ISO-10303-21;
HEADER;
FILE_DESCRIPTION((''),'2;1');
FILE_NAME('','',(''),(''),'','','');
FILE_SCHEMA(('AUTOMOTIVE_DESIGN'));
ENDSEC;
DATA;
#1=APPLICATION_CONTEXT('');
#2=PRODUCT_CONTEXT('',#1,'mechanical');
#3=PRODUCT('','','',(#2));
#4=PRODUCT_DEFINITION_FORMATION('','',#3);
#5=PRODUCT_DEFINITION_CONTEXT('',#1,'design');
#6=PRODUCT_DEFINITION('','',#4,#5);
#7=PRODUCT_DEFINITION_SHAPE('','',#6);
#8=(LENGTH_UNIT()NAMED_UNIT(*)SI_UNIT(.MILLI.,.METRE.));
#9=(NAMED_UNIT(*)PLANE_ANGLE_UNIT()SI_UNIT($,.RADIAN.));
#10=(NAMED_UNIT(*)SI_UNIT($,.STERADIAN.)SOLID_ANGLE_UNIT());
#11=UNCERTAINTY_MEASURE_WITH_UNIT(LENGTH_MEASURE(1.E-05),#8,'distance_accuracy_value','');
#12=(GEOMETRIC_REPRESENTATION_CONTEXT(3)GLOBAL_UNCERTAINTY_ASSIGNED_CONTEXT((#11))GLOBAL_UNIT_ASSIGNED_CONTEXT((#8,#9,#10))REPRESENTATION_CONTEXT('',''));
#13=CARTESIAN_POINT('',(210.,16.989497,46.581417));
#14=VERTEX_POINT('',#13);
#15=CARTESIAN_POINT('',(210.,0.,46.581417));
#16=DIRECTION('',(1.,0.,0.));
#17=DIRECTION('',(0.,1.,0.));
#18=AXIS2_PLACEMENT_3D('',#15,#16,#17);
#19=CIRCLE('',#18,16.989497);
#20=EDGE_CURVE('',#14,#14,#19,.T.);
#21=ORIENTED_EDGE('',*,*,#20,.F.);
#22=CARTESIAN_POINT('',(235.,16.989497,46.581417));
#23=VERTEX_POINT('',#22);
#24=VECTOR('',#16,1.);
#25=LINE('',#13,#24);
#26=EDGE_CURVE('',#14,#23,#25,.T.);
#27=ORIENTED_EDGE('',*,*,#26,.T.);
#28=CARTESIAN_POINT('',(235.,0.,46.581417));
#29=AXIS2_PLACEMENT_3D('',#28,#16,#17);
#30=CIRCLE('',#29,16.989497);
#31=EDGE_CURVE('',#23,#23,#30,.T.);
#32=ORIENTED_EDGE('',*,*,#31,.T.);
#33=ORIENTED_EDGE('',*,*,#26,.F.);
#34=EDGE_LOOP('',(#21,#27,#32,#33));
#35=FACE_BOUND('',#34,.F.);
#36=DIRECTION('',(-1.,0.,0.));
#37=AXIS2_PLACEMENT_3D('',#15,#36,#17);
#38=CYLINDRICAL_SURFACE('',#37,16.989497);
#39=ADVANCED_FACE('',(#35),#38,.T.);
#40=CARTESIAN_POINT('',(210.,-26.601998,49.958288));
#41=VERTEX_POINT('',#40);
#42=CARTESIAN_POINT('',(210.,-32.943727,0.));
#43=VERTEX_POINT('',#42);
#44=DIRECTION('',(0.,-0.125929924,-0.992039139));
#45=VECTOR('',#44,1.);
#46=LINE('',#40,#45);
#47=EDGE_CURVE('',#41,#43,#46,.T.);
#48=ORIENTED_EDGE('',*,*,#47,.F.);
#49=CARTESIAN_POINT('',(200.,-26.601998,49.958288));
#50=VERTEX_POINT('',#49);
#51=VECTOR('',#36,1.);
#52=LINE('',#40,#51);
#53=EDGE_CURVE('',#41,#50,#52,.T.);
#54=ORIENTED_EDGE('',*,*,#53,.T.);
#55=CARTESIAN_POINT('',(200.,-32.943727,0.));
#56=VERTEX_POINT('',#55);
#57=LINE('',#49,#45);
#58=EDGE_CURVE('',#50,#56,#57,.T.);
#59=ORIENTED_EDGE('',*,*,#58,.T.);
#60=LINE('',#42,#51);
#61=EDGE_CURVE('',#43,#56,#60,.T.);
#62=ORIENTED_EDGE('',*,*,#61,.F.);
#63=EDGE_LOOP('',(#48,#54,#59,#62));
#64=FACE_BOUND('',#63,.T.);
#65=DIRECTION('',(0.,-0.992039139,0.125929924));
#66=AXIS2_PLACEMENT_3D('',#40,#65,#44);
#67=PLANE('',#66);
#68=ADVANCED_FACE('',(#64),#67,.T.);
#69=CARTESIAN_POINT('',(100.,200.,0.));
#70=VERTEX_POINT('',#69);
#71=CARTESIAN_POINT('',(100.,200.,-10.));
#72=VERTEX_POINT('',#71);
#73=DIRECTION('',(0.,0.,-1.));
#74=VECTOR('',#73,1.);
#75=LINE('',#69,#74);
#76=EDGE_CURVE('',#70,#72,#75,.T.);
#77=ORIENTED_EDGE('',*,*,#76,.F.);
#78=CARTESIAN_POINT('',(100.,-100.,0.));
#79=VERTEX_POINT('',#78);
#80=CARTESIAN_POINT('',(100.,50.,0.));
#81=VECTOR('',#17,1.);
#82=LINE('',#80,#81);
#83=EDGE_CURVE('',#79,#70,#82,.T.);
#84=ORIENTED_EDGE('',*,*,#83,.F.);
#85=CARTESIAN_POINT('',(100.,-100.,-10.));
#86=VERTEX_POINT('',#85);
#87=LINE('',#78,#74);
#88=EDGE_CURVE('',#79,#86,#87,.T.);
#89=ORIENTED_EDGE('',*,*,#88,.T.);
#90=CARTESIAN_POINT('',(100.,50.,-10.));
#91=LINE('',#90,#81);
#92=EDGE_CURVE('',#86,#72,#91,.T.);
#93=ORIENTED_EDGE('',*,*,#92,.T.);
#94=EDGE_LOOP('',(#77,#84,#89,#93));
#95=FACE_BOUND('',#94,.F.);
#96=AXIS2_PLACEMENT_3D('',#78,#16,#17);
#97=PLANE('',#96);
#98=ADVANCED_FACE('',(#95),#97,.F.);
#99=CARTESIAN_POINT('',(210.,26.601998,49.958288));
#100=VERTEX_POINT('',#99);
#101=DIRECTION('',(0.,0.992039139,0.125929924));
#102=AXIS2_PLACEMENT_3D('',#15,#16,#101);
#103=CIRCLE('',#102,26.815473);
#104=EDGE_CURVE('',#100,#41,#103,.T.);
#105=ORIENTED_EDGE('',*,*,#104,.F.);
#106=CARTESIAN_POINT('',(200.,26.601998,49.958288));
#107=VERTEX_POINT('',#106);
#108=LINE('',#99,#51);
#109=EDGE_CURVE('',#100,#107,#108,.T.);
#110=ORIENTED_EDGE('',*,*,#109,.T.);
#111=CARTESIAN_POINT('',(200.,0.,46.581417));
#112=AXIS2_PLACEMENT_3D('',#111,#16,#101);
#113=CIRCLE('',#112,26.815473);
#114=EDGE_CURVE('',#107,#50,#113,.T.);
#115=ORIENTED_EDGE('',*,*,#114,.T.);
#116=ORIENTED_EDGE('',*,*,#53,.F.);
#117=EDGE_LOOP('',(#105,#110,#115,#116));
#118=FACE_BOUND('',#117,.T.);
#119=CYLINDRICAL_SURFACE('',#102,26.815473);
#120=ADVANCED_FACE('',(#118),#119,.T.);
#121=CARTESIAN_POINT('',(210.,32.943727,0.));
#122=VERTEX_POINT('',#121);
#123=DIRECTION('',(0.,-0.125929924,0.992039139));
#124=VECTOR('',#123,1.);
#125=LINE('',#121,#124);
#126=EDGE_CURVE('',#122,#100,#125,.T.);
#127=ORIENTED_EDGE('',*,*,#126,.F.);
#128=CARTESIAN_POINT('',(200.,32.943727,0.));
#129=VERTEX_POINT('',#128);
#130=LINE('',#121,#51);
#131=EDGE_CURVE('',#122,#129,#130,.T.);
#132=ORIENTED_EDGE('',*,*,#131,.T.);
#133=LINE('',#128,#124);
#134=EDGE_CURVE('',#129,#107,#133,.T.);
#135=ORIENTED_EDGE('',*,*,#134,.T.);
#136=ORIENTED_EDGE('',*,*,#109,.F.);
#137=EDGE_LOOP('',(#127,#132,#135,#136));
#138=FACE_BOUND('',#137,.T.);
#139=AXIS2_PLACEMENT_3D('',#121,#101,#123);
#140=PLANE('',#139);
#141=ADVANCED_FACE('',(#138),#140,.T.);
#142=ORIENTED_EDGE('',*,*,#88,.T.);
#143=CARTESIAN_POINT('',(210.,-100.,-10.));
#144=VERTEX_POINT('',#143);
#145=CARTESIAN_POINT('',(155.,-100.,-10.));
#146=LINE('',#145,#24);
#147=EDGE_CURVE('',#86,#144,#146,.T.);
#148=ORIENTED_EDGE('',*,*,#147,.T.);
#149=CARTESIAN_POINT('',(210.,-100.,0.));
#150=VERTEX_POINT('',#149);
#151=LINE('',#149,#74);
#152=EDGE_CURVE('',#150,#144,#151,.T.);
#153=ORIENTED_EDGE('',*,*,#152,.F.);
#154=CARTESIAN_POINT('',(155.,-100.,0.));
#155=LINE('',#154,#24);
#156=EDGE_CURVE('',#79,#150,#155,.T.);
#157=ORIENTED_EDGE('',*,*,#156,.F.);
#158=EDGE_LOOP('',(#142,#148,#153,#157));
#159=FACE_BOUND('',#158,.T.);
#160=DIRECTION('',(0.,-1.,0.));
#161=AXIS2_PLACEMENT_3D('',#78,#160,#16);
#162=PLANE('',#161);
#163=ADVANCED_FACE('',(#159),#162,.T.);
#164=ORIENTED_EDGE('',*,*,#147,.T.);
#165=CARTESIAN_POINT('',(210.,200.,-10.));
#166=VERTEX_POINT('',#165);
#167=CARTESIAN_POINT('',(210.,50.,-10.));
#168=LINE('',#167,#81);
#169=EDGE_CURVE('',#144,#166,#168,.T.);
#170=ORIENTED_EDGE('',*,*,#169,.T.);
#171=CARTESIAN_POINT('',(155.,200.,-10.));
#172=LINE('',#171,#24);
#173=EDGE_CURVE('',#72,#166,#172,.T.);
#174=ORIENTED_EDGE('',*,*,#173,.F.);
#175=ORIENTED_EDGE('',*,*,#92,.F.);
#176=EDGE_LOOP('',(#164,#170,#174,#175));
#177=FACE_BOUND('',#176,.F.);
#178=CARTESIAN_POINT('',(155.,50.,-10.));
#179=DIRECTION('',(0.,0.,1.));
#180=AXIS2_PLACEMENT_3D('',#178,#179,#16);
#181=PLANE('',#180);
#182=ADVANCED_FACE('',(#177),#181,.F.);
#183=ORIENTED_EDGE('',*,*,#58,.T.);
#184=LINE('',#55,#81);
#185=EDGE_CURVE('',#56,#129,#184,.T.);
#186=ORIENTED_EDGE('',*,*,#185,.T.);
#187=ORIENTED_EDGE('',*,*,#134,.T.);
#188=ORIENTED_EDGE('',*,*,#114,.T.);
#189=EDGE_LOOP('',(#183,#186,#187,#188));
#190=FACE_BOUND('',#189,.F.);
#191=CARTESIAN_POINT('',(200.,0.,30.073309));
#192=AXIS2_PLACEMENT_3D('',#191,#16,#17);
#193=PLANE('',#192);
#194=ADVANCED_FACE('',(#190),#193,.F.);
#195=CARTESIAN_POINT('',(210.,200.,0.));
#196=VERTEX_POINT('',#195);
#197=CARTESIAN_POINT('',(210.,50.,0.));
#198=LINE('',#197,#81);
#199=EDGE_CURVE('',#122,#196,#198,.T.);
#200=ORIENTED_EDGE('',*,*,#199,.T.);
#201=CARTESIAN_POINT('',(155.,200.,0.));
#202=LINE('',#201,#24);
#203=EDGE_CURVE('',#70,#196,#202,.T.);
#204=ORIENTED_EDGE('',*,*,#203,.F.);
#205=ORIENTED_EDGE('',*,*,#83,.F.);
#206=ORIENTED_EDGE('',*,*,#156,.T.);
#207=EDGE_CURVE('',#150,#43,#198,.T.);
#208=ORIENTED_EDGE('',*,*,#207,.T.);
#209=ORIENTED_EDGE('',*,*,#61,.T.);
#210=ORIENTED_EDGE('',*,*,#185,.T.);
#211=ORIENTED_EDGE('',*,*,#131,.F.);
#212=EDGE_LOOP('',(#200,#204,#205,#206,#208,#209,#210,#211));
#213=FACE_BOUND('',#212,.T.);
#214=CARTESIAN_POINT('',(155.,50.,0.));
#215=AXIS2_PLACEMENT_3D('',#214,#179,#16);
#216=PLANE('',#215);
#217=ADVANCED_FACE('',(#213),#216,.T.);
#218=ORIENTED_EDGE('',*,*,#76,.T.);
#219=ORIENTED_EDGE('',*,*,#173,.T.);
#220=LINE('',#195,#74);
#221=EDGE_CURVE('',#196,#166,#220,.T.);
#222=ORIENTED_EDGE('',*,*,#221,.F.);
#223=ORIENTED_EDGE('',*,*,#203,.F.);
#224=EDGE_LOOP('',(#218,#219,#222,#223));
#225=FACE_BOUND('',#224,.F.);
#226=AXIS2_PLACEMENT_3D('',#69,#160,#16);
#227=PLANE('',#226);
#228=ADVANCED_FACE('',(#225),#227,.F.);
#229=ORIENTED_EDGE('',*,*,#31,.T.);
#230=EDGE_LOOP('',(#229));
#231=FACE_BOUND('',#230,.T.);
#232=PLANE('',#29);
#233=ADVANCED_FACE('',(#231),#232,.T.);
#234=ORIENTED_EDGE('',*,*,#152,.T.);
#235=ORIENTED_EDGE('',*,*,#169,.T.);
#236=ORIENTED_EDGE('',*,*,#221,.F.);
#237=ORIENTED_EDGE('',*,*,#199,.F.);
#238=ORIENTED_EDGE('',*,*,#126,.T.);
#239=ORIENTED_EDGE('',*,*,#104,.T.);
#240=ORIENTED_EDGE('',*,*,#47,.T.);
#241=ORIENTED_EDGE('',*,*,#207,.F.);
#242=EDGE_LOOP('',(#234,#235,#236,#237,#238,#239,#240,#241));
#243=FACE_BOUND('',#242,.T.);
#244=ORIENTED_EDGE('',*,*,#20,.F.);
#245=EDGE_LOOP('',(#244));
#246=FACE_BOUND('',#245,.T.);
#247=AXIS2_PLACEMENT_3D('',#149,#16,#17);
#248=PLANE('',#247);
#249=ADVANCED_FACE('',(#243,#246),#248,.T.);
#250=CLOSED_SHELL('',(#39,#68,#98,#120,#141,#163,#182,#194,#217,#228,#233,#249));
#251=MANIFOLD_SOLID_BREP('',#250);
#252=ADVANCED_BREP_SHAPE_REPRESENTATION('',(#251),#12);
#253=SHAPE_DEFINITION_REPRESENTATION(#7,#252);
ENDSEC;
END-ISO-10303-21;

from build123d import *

# Parameters (mm, degrees)
F4_W     = 110
F4_H     = 300
F5_DEPTH = 9.9999997765
F0_R     = 16.989496858
F1_DEPTH = 10
F2_DEPTH = 25


with BuildPart() as f5:
    # F4 (on Top) → F5 (new body)
    with BuildSketch(Plane.XY):
        with Locations((155, 50)):
            Rectangle(F4_W, F4_H)
    extrude(amount=-F5_DEPTH)

    # F0 (on face) → F1 (join)
    with BuildSketch(Plane.YZ.offset(210)):
        with BuildLine():
            ThreePointArc((26.601998421, 49.9582877529), (0, 73.3968899806), (-26.601998421, 49.9582877529))
            Line((-26.601998421, 49.9582877529), (-32.9437274149, 0))
            Line((-32.9437274149, 0), (32.9437274149, 0))
            Line((32.9437274149, 0), (26.601998421, 49.9582877529))
        make_face()
        with Locations((0, 46.5814173222)):
            Circle(F0_R, mode=Mode.SUBTRACT)
        with Locations((0, 46.5814173222)):
            Circle(F0_R)
    extrude(amount=-F1_DEPTH)

    # F0 (on face) → F2 (join)
    with BuildSketch(Plane.YZ.offset(210)):
        with Locations((0, 46.5814173222)):
            Circle(F0_R)
    extrude(amount=F2_DEPTH)


solid = f5.part
